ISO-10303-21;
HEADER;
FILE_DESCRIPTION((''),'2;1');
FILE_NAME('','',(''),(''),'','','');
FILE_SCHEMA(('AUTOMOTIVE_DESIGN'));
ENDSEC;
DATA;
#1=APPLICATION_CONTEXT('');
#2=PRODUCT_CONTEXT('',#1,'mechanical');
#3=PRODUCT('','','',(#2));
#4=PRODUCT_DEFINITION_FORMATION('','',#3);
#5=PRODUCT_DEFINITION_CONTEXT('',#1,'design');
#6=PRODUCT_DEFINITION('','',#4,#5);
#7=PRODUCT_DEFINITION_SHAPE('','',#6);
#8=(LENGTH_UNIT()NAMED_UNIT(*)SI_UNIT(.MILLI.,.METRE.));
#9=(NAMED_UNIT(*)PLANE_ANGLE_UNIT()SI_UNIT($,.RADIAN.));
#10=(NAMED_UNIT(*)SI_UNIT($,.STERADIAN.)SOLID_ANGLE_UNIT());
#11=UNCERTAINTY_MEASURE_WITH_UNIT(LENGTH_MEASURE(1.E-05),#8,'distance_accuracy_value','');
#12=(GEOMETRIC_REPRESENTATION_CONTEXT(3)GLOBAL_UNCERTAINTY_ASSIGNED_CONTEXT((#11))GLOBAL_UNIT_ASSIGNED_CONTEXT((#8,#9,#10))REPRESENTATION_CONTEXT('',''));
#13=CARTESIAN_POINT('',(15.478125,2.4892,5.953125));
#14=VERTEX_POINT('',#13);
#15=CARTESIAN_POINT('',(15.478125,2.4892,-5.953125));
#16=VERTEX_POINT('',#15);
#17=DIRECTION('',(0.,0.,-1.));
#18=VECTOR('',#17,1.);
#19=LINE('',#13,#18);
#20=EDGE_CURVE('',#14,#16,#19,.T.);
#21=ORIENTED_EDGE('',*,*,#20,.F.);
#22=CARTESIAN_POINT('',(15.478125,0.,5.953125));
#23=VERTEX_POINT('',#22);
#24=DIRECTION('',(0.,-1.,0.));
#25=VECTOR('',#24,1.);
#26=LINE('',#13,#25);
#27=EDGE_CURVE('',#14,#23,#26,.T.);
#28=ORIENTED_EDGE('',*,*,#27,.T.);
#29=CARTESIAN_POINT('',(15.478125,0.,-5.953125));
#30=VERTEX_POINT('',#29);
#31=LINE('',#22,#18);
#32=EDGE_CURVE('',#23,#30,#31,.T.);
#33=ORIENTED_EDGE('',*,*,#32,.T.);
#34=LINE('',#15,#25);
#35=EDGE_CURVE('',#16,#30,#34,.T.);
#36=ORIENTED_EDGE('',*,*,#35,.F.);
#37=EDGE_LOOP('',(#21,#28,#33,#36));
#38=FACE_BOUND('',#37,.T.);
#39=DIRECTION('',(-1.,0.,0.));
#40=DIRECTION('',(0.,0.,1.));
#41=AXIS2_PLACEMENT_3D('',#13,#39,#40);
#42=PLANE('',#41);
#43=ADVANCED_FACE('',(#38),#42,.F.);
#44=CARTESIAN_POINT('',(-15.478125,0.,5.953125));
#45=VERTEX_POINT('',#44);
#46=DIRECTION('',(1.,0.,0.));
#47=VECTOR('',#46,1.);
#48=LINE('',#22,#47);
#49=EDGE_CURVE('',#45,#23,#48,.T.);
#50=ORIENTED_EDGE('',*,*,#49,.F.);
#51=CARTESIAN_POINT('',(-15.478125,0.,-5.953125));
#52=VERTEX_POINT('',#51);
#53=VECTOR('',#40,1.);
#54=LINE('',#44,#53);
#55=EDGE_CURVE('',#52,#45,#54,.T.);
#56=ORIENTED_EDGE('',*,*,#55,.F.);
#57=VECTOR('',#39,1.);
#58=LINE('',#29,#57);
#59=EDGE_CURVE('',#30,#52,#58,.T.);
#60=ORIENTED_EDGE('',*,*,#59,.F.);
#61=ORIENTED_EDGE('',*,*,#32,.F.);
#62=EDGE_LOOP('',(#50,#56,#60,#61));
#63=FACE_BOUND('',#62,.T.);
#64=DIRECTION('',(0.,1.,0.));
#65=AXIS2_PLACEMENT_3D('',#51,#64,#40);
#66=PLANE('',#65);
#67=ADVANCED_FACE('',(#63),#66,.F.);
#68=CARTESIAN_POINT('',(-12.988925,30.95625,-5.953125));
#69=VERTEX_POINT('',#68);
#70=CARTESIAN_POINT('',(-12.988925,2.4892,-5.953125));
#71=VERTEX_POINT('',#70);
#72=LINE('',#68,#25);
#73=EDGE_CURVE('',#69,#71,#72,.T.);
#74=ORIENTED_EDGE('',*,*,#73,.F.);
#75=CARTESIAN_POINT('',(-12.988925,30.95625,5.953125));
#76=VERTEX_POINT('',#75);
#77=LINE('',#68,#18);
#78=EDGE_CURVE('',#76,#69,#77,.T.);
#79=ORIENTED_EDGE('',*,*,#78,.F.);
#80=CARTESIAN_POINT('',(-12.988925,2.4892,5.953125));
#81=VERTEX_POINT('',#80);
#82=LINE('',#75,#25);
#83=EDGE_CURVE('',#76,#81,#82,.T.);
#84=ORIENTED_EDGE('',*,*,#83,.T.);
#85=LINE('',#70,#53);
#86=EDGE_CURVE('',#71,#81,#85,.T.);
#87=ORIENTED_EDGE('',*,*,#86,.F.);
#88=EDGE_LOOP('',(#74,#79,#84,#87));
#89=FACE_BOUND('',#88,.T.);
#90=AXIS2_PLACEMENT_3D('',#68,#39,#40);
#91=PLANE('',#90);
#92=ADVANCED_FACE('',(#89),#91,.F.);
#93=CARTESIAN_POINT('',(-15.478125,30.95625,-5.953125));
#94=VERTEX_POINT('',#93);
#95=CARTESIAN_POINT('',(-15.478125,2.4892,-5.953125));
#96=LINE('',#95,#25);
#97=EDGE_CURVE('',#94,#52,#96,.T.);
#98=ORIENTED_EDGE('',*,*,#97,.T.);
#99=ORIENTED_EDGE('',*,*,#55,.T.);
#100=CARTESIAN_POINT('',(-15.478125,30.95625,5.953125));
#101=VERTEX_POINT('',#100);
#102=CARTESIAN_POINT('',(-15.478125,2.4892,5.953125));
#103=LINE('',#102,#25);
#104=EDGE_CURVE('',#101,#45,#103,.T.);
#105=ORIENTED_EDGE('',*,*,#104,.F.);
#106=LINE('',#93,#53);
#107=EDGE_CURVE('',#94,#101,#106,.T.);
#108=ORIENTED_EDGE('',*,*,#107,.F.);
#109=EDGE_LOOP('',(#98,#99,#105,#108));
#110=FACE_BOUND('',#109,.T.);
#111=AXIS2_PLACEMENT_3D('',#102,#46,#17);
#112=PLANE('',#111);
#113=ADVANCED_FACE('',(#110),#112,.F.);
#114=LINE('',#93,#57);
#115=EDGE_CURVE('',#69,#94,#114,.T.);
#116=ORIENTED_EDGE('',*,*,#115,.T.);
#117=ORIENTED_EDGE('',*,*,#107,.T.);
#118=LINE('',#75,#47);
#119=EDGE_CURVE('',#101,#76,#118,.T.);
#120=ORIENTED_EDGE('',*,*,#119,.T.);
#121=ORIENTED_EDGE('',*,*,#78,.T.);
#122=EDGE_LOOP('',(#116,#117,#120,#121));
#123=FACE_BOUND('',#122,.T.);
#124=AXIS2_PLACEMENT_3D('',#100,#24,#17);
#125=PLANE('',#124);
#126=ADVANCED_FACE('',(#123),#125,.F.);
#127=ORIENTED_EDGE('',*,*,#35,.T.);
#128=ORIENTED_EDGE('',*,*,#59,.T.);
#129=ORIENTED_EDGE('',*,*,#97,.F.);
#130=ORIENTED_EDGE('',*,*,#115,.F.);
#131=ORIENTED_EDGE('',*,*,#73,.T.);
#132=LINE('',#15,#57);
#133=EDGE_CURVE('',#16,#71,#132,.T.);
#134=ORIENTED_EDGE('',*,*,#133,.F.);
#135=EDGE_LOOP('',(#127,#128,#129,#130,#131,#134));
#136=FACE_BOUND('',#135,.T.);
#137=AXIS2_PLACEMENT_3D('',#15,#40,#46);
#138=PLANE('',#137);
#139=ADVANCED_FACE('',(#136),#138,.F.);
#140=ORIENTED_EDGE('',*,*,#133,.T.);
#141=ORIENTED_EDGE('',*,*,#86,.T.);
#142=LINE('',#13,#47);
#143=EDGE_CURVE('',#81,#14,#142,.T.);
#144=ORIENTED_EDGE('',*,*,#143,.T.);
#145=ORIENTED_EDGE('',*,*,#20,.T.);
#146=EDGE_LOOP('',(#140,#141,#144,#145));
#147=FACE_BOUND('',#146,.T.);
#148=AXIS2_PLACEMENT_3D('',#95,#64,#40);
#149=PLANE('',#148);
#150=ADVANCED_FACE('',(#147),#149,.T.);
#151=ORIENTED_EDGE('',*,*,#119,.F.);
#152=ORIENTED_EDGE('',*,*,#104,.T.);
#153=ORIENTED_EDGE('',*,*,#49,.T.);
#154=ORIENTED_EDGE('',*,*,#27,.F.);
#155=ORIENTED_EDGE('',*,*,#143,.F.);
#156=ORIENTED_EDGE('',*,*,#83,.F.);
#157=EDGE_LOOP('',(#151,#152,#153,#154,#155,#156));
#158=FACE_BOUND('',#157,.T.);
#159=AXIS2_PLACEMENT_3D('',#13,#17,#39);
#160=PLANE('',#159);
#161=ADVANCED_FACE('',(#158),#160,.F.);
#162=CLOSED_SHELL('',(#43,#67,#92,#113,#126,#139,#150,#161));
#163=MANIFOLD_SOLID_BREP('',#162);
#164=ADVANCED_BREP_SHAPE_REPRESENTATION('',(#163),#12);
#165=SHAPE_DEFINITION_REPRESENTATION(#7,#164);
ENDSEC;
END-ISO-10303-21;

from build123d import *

# Parameters (mm, degrees)
SKETCH1_W           = 30.95625
SKETCH1_H           = 11.90625
BOSS_EXTRUDE1_DEPTH = 2.4892
SKETCH2_W           = 2.4892
SKETCH2_H           = 11.90625
BOSS_EXTRUDE2_DEPTH = 30.95625


with BuildPart() as part:
    # Sketch1 → Boss-Extrude1 (new body)
    with BuildSketch(Plane(origin=(0, 0, 0), x_dir=(1, 0, 0), z_dir=(0, 1, 0))):
        Rectangle(SKETCH1_W, SKETCH1_H)
    extrude(amount=BOSS_EXTRUDE1_DEPTH)

    # Sketch2 → Boss-Extrude2 (add)
    with BuildSketch(Plane(origin=(0, 0, 0), x_dir=(1, 0, 0), z_dir=(0, 1, 0))):
        with Locations((-14.233525, 0)):
            Rectangle(SKETCH2_W, SKETCH2_H)
    extrude(amount=BOSS_EXTRUDE2_DEPTH)


solid = part.part
